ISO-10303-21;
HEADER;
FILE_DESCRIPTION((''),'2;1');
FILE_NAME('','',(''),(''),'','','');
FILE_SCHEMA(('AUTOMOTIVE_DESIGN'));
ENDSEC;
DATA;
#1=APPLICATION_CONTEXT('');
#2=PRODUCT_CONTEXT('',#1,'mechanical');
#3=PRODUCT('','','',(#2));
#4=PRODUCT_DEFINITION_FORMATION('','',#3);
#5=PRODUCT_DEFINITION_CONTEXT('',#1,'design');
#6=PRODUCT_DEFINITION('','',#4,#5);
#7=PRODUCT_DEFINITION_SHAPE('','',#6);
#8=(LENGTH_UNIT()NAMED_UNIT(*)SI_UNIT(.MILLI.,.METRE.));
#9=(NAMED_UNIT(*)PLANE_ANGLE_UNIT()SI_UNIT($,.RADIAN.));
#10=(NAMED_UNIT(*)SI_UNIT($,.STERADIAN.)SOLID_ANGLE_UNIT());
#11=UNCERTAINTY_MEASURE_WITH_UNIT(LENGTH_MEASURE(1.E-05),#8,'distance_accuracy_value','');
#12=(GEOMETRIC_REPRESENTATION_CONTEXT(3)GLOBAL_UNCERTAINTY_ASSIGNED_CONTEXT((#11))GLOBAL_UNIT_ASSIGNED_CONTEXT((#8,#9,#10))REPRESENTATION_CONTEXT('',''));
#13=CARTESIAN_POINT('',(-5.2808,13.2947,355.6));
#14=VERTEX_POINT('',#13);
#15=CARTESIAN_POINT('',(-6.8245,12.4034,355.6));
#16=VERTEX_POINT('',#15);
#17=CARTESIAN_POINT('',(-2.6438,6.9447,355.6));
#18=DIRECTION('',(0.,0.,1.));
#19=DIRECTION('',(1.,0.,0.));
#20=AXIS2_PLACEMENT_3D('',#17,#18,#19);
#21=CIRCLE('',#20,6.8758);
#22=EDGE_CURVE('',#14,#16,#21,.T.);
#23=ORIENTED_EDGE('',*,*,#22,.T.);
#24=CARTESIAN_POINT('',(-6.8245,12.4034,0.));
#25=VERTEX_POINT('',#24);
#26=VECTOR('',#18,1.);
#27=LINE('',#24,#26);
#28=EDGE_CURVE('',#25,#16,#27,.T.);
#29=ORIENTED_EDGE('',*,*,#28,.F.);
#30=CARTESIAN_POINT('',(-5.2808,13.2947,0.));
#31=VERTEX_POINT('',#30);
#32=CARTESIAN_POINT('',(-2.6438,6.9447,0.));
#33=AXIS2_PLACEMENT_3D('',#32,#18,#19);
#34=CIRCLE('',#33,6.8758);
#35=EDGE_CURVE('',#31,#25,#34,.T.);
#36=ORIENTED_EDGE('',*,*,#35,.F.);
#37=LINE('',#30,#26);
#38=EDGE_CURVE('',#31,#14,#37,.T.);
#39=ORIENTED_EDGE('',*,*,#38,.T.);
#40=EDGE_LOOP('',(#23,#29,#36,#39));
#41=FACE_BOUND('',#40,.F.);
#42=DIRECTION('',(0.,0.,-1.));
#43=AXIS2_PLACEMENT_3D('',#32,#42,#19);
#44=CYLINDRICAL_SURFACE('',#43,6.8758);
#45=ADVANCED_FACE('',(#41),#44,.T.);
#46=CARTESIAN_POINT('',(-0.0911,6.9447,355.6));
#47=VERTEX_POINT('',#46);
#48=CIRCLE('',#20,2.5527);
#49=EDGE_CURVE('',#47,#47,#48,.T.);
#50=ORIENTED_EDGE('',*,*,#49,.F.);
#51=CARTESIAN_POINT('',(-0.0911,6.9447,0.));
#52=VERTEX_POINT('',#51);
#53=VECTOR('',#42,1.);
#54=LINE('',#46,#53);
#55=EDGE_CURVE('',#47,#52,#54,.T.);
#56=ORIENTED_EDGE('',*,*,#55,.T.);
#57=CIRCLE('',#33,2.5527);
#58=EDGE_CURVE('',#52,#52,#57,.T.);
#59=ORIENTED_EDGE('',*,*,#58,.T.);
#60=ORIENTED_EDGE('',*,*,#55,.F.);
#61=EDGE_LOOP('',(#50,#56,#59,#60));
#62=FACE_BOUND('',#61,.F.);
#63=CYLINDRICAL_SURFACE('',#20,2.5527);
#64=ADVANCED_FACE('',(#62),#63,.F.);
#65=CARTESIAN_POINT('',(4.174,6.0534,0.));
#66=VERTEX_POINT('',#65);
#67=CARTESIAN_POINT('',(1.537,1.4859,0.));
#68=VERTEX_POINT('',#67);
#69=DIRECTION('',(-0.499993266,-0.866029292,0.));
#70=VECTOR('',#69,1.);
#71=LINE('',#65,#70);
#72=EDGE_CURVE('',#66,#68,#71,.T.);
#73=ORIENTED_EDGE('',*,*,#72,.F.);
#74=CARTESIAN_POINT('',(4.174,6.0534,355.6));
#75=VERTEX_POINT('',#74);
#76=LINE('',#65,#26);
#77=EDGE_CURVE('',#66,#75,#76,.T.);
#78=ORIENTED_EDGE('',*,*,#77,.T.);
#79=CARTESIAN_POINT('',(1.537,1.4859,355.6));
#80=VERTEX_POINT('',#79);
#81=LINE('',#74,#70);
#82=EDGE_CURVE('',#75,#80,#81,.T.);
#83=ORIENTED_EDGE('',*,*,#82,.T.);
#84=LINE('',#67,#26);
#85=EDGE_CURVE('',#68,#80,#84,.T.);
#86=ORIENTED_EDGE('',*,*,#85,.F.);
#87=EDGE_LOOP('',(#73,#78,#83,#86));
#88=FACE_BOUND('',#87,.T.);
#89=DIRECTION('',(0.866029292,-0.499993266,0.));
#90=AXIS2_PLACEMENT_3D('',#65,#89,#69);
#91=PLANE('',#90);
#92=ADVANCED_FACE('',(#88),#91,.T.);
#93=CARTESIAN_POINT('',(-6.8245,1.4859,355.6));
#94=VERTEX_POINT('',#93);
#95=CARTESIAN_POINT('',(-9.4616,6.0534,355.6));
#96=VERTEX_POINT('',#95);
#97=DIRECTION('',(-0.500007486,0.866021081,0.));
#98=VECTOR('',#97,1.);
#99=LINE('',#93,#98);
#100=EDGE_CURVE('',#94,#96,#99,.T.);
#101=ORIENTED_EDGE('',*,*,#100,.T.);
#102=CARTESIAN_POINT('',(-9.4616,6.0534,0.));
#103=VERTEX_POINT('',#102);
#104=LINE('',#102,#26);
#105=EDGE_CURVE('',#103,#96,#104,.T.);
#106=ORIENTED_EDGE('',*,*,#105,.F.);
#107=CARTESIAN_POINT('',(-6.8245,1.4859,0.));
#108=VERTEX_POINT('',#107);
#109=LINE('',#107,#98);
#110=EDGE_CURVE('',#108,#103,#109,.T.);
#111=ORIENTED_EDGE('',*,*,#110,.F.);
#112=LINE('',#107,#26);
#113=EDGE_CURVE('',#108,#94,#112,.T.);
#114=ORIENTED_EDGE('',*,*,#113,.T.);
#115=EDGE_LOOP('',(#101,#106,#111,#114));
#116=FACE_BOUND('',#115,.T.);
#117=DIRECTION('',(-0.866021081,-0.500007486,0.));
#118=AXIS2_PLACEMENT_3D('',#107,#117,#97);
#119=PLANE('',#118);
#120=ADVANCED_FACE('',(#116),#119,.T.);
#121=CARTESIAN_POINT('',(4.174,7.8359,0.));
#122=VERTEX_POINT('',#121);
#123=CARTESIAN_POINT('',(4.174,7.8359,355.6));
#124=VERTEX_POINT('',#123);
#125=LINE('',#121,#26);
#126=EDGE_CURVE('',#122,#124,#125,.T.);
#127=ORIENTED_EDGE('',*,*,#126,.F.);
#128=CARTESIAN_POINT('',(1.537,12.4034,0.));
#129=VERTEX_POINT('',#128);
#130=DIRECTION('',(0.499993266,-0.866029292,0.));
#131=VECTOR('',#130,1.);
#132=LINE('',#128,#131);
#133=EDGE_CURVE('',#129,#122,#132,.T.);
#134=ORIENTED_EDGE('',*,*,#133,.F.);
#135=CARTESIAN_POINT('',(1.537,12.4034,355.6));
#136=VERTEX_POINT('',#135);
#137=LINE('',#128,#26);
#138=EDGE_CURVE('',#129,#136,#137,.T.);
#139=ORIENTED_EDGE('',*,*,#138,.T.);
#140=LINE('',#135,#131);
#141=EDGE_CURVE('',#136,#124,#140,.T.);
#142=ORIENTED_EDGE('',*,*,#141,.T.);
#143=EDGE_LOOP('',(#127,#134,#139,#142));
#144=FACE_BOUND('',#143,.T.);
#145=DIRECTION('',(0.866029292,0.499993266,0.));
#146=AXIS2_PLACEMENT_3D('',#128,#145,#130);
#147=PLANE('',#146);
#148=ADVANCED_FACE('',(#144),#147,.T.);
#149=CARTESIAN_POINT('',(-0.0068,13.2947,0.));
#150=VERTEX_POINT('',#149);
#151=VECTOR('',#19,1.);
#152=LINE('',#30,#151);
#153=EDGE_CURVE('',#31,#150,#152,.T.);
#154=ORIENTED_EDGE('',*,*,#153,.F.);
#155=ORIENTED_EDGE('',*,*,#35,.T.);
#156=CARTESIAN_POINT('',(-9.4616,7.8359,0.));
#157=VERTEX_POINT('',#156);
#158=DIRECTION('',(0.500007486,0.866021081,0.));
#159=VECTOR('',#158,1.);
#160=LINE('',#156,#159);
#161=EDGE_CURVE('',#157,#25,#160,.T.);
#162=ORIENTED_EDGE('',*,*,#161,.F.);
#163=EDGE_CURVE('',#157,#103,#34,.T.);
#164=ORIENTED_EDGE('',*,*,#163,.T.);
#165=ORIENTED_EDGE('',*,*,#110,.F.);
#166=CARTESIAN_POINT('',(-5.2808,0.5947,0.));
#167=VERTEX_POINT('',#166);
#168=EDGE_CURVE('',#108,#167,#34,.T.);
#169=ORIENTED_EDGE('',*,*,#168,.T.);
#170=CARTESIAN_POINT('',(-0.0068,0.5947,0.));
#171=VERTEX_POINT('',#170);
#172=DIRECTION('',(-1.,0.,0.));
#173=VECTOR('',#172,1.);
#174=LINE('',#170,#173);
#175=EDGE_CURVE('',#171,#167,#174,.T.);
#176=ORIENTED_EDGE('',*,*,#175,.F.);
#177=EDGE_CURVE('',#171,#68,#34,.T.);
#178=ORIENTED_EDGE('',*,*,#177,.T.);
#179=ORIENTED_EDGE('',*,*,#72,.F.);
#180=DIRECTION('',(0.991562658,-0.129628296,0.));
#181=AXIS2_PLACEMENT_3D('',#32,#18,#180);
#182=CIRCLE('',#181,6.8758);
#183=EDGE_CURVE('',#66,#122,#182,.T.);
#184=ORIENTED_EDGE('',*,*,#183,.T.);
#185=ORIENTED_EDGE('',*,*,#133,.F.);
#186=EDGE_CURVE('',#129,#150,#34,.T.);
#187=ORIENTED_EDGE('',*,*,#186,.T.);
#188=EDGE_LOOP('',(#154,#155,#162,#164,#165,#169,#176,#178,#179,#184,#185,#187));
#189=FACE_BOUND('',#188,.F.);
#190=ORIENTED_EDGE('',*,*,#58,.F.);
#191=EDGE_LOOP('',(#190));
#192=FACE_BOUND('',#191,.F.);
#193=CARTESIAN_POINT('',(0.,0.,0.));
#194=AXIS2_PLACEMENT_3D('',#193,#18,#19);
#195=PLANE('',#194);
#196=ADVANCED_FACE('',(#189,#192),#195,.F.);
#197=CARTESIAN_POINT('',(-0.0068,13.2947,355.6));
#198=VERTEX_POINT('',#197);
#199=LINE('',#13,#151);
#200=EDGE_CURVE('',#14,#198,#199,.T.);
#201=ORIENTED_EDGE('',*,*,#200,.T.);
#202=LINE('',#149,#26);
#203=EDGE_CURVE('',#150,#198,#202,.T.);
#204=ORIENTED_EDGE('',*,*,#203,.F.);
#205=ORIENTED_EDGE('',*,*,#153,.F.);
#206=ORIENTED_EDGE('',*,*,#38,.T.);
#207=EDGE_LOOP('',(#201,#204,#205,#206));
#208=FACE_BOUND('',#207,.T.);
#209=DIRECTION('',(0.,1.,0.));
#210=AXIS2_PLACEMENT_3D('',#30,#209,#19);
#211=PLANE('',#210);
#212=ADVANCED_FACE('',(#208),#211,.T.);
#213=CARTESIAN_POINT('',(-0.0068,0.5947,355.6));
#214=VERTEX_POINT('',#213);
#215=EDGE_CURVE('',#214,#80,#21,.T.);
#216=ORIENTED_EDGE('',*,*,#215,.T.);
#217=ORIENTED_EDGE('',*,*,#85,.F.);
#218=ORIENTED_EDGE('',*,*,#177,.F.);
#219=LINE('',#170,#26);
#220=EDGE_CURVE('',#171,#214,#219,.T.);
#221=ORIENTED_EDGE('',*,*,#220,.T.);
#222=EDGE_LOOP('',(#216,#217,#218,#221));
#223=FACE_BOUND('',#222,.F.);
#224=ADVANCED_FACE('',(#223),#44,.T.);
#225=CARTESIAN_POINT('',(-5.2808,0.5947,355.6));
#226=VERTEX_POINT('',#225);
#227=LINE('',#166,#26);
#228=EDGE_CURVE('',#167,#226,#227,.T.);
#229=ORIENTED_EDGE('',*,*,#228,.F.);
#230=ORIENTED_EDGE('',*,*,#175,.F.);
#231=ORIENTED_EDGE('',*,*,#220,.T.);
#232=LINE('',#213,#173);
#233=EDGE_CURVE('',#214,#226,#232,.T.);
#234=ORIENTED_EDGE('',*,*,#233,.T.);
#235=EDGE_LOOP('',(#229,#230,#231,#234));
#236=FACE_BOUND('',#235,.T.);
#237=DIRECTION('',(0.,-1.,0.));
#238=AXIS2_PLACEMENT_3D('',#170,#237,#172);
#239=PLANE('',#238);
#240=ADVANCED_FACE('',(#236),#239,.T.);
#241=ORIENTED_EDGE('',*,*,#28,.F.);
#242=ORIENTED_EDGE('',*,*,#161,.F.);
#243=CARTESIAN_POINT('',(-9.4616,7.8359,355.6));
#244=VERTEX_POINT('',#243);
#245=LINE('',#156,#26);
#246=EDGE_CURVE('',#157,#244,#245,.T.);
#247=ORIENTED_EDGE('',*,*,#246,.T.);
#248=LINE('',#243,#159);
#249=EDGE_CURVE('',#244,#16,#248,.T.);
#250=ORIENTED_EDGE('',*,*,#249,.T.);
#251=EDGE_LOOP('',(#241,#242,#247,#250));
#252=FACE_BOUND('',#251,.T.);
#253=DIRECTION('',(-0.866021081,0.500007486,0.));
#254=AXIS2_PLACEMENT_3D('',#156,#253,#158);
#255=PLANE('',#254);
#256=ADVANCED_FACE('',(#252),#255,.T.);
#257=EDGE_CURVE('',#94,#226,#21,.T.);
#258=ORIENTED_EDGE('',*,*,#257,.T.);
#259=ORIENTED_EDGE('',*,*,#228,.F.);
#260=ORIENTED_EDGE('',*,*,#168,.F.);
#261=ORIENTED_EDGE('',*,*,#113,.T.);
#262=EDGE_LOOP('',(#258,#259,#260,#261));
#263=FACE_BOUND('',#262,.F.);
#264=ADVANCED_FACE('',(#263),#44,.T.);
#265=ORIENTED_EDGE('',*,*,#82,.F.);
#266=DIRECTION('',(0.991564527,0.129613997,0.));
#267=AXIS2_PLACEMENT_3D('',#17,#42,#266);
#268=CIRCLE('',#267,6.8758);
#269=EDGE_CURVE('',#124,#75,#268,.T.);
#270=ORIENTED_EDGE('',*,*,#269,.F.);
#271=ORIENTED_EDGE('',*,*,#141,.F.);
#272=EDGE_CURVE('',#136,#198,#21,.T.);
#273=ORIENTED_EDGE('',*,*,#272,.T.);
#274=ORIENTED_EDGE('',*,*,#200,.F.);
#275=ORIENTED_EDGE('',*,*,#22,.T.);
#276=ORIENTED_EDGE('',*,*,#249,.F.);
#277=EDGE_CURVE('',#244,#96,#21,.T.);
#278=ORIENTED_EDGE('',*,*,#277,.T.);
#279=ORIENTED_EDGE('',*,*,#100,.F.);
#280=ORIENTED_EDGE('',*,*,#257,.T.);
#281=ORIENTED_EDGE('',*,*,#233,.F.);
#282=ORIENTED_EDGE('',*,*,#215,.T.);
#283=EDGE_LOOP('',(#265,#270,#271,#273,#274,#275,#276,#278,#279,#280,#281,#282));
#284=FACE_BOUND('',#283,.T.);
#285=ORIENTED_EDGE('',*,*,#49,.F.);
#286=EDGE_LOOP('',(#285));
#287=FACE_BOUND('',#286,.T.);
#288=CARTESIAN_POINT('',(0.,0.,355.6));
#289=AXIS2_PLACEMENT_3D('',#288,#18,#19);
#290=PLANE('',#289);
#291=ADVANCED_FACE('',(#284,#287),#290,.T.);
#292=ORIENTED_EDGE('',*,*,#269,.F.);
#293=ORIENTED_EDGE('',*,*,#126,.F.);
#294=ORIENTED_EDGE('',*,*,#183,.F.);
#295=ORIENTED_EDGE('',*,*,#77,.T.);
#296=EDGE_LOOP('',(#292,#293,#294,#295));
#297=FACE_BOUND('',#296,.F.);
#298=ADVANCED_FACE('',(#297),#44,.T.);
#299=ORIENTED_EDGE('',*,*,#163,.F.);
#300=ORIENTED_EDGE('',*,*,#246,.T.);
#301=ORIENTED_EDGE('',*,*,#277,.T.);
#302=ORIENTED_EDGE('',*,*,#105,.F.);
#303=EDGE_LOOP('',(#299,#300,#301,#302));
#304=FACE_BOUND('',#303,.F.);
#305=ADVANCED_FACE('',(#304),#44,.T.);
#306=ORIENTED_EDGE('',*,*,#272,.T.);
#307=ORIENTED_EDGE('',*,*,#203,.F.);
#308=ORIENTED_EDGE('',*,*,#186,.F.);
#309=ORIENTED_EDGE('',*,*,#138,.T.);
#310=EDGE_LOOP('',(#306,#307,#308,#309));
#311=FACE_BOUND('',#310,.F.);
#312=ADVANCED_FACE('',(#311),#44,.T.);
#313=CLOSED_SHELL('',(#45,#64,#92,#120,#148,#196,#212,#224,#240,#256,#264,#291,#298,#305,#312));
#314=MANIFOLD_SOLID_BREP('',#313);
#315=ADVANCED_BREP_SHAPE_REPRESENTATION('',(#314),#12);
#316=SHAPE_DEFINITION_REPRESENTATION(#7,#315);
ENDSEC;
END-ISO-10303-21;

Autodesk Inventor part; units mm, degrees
ref_plane "YZ Plane" through (0, 0, 0) normal (1, 0, 0) x (0, 1, 0)
ref_plane "XZ Plane" through (0, 0, 0) normal (0, 1, 0) x (-1, 0, 0)
ref_plane "XY Plane" through (0, 0, 0) normal (0, 0, 1) x (1, 0, 0)
sketch "Sketch1" plane through (0, 0, 0) normal (0, 0, 1) x (1, 0, 0)
  circle A0 centre (-2.6438, 6.9447) radius 6.8758
  line L0 (-9.4616, 7.8359) -> (-6.8245, 12.4034)
  line L1 (-6.8245, 1.4859) -> (-9.4616, 6.0534)
  line L2 (-0.0068, 0.5947) -> (-5.2808, 0.5947)
  line L3 (4.174, 6.0534) -> (1.537, 1.4859)
  line L4 (1.537, 12.4034) -> (4.174, 7.8359)
  line L5 (-5.2808, 13.2947) -> (-0.0068, 13.2947)
  point P0 (0, 0)
  point P1 (1.537, 1.4859)
  dimension "d0" = 13.7516
  dimension "d4" = 360
extrude "Extrusion1" add sketch "Sketch1" along normal blind 355.6 contours A0 L3 L2 L1 L0 L5 L4
sketch "Sketch2" plane through (0, 0, 355.6) normal (0, 0, 1) x (1, 0, 0)
  circle A0 centre (-2.6438, 6.9447) radius 2.5527
  line L0 (-5.2808, 0.5947) -> (-0.0068, 0.5947) projected
  line L1 (-2.6438, 6.9447) -> (-5.2808, 0.5947) construction
  line L2 (-2.6438, 6.9447) -> (-0.0068, 0.5947) construction
  point P0 (0, 0)
  dimension "d8" = 5.1054
  dimension "d9" = 6.35
extrude "Extrusion2" cut sketch "Sketch2" against normal blind 355.6
equation "\"d6\" = d5"
equation "\"d10\" = d5"
equation "\"d5\" = 355.6"
properties part number "Super Structure ThunderHex"
